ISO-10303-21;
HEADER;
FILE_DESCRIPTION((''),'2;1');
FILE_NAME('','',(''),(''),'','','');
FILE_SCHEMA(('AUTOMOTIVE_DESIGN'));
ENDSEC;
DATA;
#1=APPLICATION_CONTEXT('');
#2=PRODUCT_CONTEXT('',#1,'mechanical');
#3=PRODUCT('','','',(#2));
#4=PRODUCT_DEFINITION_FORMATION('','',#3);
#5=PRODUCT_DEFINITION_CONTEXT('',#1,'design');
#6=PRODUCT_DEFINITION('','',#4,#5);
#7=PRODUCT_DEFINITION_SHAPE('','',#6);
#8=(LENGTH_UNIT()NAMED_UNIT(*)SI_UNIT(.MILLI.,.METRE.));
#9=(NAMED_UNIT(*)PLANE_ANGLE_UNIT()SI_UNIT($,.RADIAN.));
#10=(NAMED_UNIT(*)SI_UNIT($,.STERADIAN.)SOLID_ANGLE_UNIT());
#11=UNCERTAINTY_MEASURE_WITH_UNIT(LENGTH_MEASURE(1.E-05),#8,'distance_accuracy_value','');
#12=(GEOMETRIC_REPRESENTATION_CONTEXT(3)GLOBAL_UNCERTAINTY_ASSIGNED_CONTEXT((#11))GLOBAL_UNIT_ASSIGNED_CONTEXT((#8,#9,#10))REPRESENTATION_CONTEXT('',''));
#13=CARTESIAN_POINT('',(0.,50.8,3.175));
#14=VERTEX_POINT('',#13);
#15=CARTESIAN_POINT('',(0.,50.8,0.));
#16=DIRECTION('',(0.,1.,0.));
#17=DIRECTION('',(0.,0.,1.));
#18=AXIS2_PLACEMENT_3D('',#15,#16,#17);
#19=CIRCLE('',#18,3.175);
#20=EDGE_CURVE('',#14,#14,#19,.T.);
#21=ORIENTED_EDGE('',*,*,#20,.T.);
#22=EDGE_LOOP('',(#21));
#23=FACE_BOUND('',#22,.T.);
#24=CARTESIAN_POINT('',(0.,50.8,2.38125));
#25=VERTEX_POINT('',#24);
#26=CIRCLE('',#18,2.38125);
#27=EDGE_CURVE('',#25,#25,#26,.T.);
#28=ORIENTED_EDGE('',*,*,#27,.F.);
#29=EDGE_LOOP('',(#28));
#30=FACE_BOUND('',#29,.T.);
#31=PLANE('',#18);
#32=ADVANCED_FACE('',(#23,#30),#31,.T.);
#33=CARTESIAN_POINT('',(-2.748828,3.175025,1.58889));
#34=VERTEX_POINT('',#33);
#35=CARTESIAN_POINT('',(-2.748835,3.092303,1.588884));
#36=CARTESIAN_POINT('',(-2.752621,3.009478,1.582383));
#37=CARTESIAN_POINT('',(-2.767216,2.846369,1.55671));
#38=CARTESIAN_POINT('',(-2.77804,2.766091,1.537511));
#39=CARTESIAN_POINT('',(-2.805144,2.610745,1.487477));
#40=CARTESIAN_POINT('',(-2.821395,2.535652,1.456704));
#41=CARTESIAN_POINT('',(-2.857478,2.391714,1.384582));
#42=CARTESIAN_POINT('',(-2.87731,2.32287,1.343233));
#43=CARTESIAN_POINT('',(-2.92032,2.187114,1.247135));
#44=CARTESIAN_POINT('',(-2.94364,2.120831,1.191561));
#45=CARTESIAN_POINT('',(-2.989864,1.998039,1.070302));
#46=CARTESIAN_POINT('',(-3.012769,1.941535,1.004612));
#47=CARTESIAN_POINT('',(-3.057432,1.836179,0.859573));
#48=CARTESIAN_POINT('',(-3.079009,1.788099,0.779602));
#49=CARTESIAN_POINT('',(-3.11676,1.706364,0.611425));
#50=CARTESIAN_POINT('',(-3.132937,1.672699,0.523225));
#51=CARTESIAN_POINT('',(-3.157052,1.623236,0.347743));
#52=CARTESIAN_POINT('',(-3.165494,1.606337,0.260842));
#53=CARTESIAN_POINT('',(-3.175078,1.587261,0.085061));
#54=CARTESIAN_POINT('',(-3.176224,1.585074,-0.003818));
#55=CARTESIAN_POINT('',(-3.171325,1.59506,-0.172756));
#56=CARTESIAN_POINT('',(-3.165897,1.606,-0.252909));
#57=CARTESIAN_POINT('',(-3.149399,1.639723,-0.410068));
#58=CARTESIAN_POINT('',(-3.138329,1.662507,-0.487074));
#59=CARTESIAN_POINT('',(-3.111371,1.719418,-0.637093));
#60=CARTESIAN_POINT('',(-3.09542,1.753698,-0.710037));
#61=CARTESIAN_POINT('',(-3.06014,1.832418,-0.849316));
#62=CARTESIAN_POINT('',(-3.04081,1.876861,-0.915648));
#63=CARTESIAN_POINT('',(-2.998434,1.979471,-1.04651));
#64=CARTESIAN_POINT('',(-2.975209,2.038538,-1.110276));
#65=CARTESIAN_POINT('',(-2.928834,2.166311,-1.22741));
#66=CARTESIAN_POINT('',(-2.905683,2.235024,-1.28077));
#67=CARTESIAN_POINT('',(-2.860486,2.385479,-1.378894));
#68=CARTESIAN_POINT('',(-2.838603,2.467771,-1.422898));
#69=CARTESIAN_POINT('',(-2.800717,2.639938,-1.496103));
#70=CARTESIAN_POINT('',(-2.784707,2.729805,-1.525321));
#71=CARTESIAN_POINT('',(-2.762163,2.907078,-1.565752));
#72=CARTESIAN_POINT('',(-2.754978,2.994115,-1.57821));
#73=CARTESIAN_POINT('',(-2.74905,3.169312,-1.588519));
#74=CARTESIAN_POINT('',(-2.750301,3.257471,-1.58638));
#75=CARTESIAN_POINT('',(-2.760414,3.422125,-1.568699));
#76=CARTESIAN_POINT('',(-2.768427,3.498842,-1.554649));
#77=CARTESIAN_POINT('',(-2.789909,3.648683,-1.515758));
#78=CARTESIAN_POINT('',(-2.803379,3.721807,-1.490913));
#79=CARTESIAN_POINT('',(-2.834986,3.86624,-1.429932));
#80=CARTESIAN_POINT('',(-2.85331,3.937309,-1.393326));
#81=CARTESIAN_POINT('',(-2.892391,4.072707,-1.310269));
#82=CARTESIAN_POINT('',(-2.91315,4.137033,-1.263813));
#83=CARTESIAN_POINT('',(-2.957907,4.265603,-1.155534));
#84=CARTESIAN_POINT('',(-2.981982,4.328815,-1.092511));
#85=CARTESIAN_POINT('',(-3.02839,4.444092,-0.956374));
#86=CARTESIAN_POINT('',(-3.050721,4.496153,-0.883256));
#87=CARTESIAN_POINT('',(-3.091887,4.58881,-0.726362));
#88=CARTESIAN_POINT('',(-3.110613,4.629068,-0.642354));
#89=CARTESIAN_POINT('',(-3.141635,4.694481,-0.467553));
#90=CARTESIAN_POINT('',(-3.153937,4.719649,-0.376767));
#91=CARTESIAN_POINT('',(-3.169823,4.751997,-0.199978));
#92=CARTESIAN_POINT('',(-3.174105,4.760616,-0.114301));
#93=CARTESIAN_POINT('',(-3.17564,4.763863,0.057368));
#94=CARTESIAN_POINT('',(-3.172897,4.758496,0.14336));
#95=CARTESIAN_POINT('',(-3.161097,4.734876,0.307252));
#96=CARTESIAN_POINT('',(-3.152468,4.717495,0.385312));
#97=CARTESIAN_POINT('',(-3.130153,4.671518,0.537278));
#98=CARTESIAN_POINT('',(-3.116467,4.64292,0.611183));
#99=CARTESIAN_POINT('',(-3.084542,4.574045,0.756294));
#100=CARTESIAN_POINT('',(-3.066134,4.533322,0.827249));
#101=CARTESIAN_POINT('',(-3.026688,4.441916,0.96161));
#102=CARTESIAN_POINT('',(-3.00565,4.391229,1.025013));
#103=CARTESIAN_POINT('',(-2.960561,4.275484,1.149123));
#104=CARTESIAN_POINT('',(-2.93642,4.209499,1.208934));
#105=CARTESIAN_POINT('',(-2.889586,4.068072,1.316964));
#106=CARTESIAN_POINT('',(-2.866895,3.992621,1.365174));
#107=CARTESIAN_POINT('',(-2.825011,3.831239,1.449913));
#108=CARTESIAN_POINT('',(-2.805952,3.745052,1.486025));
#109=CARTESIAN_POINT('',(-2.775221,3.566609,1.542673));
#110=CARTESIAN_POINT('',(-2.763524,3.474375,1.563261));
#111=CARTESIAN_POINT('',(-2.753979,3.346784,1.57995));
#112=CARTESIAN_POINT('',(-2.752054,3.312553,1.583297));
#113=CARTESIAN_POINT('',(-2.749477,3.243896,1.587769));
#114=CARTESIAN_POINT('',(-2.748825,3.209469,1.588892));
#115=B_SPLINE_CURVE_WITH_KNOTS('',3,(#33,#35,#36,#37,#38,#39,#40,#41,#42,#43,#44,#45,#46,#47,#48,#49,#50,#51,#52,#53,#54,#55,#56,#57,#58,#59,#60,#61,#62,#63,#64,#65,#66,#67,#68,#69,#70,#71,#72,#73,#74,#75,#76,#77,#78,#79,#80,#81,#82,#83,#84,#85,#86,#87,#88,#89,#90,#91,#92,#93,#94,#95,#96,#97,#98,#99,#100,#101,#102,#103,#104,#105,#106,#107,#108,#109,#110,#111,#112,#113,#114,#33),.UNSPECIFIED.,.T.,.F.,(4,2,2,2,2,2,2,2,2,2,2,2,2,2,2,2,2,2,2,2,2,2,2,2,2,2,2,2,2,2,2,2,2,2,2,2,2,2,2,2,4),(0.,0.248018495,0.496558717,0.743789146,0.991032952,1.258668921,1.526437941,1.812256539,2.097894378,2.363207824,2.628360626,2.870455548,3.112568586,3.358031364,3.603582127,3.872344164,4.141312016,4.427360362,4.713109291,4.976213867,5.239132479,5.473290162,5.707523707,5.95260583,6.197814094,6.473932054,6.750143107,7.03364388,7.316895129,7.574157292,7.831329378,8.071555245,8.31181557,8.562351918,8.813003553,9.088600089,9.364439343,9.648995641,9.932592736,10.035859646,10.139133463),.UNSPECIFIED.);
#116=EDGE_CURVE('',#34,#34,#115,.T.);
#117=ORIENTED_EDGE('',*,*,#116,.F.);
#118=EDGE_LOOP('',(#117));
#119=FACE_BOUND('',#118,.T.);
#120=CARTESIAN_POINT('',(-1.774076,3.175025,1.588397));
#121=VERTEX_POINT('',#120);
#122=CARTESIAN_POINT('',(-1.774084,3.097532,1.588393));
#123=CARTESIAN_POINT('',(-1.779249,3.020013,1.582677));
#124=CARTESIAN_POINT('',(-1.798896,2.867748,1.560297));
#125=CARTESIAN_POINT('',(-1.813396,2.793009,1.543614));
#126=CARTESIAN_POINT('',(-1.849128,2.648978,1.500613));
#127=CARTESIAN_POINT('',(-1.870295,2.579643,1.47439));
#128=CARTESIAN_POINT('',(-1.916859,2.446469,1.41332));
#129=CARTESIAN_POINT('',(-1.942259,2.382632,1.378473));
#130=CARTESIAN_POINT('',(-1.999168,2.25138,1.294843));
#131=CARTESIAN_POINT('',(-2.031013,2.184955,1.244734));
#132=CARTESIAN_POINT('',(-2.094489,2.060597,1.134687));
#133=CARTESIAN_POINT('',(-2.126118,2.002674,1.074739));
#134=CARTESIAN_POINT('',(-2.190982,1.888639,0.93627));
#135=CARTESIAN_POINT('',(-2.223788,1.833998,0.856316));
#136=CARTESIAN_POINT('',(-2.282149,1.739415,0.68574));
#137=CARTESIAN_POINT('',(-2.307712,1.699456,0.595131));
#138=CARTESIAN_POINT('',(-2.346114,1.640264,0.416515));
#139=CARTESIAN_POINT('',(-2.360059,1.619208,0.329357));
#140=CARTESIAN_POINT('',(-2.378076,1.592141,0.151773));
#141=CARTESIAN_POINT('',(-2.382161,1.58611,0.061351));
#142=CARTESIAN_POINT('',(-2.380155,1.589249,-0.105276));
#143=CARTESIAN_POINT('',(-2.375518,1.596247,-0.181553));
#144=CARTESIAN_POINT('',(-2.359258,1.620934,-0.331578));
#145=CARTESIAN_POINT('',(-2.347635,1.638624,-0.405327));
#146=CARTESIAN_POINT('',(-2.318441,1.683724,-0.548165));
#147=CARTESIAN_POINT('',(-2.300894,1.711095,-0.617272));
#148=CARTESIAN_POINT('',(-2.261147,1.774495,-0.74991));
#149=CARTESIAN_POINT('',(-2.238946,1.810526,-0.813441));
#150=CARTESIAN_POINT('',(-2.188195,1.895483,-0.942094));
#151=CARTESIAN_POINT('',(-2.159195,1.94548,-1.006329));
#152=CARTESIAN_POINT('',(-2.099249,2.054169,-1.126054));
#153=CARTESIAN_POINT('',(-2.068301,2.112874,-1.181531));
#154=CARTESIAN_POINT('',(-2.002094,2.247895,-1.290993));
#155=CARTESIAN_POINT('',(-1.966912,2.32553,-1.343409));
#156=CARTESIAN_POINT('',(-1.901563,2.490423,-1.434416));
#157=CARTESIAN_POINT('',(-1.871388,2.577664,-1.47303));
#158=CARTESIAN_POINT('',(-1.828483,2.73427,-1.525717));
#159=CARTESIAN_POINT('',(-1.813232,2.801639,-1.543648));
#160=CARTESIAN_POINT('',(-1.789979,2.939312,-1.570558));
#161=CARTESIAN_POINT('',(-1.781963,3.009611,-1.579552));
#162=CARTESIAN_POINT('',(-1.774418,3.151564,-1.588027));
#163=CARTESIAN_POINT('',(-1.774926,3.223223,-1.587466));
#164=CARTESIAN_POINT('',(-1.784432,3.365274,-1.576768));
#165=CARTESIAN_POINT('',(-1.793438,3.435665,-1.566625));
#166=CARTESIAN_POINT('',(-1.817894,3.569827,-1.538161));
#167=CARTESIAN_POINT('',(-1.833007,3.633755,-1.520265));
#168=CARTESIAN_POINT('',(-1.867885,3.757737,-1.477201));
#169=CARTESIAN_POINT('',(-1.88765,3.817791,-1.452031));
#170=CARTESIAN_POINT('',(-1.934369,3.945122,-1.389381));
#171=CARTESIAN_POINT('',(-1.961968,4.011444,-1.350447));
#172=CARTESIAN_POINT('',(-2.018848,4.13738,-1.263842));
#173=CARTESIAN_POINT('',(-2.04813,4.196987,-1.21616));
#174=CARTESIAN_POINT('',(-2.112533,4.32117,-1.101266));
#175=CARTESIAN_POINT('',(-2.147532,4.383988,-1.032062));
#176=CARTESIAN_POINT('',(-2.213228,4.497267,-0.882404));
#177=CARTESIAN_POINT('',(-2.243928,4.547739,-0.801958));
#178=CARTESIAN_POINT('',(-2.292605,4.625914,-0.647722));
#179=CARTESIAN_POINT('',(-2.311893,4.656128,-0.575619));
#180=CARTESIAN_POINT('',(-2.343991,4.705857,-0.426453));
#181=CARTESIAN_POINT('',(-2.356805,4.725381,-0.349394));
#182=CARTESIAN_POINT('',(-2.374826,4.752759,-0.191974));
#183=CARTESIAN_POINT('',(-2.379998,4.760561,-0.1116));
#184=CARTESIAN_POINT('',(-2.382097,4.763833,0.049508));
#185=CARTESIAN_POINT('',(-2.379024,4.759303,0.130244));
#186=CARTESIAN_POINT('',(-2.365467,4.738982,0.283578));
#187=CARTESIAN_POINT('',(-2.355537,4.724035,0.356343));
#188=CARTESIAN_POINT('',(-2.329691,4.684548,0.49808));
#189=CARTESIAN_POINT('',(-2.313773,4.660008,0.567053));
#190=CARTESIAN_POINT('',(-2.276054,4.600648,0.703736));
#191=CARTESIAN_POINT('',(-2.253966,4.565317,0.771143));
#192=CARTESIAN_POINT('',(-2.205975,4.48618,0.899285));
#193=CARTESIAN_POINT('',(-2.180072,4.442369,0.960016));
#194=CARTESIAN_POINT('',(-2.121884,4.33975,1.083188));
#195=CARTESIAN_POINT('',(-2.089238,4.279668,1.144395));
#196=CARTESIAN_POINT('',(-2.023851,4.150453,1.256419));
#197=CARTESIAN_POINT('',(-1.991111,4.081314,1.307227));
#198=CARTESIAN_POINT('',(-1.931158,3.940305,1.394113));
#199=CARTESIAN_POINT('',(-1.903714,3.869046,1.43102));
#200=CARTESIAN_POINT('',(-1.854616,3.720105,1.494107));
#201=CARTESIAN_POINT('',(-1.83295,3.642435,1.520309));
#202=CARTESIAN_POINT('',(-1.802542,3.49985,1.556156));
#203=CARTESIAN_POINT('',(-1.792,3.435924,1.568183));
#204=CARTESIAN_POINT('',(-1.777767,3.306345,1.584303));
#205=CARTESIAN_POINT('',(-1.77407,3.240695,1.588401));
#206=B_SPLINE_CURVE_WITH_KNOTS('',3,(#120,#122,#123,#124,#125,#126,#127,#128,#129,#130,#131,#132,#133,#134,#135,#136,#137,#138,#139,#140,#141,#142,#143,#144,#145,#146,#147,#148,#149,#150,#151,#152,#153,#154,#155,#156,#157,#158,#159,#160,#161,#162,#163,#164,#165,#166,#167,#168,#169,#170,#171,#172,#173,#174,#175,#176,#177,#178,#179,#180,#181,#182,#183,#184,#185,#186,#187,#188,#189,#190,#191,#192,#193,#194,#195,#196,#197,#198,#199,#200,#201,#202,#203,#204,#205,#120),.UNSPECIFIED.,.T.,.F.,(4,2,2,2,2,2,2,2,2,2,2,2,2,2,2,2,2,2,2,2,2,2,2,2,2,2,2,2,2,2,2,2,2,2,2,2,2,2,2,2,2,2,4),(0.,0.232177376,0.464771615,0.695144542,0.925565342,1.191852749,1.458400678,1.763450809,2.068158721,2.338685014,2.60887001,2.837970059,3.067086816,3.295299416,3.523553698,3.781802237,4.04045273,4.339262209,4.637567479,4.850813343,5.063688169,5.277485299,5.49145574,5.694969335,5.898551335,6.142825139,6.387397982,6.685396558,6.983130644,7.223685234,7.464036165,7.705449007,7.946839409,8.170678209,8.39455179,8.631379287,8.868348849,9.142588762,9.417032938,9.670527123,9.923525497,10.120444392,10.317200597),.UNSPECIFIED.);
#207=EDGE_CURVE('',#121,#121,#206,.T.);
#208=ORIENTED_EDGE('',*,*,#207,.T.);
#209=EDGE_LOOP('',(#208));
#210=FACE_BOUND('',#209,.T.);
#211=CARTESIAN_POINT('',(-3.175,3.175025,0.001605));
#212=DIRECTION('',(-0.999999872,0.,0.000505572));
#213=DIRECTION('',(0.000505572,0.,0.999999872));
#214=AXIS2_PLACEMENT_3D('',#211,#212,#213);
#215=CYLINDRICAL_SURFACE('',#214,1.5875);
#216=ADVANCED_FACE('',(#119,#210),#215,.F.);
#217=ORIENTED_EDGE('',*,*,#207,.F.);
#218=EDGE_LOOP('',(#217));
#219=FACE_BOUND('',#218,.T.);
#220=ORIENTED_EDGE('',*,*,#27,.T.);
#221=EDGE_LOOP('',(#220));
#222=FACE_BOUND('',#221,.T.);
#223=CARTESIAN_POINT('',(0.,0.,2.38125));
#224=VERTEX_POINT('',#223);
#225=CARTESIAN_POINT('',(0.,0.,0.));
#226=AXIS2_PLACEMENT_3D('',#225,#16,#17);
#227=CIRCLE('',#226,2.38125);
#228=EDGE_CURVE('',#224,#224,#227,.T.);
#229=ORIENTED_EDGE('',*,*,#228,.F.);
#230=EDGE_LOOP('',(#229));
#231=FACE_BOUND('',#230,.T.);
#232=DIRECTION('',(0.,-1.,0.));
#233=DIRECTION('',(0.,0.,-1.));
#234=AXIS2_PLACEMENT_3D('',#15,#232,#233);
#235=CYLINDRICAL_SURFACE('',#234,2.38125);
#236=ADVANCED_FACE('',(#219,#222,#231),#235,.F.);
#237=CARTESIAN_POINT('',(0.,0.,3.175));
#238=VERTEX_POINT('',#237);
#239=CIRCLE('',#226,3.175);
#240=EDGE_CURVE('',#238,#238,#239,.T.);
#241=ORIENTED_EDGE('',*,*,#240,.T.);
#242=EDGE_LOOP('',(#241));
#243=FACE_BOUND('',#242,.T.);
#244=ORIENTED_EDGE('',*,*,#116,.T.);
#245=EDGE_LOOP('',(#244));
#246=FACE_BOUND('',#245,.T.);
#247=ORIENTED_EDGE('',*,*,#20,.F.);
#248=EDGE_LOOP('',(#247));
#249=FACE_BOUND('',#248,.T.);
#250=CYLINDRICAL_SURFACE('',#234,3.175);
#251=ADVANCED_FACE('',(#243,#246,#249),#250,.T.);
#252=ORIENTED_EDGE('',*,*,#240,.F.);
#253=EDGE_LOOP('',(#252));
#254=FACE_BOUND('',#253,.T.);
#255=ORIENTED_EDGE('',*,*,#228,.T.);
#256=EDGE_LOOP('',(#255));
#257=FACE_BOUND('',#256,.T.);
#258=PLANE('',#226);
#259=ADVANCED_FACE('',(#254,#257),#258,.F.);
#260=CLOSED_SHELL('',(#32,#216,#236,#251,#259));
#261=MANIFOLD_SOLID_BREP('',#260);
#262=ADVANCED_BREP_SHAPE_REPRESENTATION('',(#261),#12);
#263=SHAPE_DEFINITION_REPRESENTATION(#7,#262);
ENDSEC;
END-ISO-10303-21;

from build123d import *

# Parameters (mm, degrees)
SKETCH1_R                      = 3.175
SKETCH1_R_2                    = 2.38125
BOSS_EXTRUDE1_DEPTH            = 50.8
F_1_8_0_1250_DOWEL_HOLE1_D     = 3.175
F_1_8_0_1250_DOWEL_HOLE1_DEPTH = 3.18
F_1_8_0_1250_DOWEL_HOLE1_TIP   = 0.953866233


with BuildPart() as part:
    # Sketch1 → Boss-Extrude1 (new body)
    with BuildSketch(Plane(origin=(0, 0, 0), x_dir=(1, 0, 0), z_dir=(0, 1, 0))):
        with Locations(Location((0, 0, 0), (0, 0, 270))):
            Circle(SKETCH1_R)
        with Locations(Location((0, 0, 0), (0, 0, 270))):
            Circle(SKETCH1_R_2, mode=Mode.SUBTRACT)
    extrude(amount=BOSS_EXTRUDE1_DEPTH)

    # 1/8 (0.1250) Dowel Hole1
    with Locations(Plane(origin=(-3.174999594, 3.17502462, 0.001605192), x_dir=(-0.000505572354, 0, -0.999999872198), z_dir=(-0.999999872198, 0, 0.000505572354))):
        with Locations((0, 0)):
            Hole(F_1_8_0_1250_DOWEL_HOLE1_D / 2, depth=F_1_8_0_1250_DOWEL_HOLE1_DEPTH)
            with Locations((0, 0, -(F_1_8_0_1250_DOWEL_HOLE1_DEPTH + F_1_8_0_1250_DOWEL_HOLE1_TIP / 2))):  # 118° drill point
                Cone(0, F_1_8_0_1250_DOWEL_HOLE1_D / 2, F_1_8_0_1250_DOWEL_HOLE1_TIP, mode=Mode.SUBTRACT)


solid = part.part
